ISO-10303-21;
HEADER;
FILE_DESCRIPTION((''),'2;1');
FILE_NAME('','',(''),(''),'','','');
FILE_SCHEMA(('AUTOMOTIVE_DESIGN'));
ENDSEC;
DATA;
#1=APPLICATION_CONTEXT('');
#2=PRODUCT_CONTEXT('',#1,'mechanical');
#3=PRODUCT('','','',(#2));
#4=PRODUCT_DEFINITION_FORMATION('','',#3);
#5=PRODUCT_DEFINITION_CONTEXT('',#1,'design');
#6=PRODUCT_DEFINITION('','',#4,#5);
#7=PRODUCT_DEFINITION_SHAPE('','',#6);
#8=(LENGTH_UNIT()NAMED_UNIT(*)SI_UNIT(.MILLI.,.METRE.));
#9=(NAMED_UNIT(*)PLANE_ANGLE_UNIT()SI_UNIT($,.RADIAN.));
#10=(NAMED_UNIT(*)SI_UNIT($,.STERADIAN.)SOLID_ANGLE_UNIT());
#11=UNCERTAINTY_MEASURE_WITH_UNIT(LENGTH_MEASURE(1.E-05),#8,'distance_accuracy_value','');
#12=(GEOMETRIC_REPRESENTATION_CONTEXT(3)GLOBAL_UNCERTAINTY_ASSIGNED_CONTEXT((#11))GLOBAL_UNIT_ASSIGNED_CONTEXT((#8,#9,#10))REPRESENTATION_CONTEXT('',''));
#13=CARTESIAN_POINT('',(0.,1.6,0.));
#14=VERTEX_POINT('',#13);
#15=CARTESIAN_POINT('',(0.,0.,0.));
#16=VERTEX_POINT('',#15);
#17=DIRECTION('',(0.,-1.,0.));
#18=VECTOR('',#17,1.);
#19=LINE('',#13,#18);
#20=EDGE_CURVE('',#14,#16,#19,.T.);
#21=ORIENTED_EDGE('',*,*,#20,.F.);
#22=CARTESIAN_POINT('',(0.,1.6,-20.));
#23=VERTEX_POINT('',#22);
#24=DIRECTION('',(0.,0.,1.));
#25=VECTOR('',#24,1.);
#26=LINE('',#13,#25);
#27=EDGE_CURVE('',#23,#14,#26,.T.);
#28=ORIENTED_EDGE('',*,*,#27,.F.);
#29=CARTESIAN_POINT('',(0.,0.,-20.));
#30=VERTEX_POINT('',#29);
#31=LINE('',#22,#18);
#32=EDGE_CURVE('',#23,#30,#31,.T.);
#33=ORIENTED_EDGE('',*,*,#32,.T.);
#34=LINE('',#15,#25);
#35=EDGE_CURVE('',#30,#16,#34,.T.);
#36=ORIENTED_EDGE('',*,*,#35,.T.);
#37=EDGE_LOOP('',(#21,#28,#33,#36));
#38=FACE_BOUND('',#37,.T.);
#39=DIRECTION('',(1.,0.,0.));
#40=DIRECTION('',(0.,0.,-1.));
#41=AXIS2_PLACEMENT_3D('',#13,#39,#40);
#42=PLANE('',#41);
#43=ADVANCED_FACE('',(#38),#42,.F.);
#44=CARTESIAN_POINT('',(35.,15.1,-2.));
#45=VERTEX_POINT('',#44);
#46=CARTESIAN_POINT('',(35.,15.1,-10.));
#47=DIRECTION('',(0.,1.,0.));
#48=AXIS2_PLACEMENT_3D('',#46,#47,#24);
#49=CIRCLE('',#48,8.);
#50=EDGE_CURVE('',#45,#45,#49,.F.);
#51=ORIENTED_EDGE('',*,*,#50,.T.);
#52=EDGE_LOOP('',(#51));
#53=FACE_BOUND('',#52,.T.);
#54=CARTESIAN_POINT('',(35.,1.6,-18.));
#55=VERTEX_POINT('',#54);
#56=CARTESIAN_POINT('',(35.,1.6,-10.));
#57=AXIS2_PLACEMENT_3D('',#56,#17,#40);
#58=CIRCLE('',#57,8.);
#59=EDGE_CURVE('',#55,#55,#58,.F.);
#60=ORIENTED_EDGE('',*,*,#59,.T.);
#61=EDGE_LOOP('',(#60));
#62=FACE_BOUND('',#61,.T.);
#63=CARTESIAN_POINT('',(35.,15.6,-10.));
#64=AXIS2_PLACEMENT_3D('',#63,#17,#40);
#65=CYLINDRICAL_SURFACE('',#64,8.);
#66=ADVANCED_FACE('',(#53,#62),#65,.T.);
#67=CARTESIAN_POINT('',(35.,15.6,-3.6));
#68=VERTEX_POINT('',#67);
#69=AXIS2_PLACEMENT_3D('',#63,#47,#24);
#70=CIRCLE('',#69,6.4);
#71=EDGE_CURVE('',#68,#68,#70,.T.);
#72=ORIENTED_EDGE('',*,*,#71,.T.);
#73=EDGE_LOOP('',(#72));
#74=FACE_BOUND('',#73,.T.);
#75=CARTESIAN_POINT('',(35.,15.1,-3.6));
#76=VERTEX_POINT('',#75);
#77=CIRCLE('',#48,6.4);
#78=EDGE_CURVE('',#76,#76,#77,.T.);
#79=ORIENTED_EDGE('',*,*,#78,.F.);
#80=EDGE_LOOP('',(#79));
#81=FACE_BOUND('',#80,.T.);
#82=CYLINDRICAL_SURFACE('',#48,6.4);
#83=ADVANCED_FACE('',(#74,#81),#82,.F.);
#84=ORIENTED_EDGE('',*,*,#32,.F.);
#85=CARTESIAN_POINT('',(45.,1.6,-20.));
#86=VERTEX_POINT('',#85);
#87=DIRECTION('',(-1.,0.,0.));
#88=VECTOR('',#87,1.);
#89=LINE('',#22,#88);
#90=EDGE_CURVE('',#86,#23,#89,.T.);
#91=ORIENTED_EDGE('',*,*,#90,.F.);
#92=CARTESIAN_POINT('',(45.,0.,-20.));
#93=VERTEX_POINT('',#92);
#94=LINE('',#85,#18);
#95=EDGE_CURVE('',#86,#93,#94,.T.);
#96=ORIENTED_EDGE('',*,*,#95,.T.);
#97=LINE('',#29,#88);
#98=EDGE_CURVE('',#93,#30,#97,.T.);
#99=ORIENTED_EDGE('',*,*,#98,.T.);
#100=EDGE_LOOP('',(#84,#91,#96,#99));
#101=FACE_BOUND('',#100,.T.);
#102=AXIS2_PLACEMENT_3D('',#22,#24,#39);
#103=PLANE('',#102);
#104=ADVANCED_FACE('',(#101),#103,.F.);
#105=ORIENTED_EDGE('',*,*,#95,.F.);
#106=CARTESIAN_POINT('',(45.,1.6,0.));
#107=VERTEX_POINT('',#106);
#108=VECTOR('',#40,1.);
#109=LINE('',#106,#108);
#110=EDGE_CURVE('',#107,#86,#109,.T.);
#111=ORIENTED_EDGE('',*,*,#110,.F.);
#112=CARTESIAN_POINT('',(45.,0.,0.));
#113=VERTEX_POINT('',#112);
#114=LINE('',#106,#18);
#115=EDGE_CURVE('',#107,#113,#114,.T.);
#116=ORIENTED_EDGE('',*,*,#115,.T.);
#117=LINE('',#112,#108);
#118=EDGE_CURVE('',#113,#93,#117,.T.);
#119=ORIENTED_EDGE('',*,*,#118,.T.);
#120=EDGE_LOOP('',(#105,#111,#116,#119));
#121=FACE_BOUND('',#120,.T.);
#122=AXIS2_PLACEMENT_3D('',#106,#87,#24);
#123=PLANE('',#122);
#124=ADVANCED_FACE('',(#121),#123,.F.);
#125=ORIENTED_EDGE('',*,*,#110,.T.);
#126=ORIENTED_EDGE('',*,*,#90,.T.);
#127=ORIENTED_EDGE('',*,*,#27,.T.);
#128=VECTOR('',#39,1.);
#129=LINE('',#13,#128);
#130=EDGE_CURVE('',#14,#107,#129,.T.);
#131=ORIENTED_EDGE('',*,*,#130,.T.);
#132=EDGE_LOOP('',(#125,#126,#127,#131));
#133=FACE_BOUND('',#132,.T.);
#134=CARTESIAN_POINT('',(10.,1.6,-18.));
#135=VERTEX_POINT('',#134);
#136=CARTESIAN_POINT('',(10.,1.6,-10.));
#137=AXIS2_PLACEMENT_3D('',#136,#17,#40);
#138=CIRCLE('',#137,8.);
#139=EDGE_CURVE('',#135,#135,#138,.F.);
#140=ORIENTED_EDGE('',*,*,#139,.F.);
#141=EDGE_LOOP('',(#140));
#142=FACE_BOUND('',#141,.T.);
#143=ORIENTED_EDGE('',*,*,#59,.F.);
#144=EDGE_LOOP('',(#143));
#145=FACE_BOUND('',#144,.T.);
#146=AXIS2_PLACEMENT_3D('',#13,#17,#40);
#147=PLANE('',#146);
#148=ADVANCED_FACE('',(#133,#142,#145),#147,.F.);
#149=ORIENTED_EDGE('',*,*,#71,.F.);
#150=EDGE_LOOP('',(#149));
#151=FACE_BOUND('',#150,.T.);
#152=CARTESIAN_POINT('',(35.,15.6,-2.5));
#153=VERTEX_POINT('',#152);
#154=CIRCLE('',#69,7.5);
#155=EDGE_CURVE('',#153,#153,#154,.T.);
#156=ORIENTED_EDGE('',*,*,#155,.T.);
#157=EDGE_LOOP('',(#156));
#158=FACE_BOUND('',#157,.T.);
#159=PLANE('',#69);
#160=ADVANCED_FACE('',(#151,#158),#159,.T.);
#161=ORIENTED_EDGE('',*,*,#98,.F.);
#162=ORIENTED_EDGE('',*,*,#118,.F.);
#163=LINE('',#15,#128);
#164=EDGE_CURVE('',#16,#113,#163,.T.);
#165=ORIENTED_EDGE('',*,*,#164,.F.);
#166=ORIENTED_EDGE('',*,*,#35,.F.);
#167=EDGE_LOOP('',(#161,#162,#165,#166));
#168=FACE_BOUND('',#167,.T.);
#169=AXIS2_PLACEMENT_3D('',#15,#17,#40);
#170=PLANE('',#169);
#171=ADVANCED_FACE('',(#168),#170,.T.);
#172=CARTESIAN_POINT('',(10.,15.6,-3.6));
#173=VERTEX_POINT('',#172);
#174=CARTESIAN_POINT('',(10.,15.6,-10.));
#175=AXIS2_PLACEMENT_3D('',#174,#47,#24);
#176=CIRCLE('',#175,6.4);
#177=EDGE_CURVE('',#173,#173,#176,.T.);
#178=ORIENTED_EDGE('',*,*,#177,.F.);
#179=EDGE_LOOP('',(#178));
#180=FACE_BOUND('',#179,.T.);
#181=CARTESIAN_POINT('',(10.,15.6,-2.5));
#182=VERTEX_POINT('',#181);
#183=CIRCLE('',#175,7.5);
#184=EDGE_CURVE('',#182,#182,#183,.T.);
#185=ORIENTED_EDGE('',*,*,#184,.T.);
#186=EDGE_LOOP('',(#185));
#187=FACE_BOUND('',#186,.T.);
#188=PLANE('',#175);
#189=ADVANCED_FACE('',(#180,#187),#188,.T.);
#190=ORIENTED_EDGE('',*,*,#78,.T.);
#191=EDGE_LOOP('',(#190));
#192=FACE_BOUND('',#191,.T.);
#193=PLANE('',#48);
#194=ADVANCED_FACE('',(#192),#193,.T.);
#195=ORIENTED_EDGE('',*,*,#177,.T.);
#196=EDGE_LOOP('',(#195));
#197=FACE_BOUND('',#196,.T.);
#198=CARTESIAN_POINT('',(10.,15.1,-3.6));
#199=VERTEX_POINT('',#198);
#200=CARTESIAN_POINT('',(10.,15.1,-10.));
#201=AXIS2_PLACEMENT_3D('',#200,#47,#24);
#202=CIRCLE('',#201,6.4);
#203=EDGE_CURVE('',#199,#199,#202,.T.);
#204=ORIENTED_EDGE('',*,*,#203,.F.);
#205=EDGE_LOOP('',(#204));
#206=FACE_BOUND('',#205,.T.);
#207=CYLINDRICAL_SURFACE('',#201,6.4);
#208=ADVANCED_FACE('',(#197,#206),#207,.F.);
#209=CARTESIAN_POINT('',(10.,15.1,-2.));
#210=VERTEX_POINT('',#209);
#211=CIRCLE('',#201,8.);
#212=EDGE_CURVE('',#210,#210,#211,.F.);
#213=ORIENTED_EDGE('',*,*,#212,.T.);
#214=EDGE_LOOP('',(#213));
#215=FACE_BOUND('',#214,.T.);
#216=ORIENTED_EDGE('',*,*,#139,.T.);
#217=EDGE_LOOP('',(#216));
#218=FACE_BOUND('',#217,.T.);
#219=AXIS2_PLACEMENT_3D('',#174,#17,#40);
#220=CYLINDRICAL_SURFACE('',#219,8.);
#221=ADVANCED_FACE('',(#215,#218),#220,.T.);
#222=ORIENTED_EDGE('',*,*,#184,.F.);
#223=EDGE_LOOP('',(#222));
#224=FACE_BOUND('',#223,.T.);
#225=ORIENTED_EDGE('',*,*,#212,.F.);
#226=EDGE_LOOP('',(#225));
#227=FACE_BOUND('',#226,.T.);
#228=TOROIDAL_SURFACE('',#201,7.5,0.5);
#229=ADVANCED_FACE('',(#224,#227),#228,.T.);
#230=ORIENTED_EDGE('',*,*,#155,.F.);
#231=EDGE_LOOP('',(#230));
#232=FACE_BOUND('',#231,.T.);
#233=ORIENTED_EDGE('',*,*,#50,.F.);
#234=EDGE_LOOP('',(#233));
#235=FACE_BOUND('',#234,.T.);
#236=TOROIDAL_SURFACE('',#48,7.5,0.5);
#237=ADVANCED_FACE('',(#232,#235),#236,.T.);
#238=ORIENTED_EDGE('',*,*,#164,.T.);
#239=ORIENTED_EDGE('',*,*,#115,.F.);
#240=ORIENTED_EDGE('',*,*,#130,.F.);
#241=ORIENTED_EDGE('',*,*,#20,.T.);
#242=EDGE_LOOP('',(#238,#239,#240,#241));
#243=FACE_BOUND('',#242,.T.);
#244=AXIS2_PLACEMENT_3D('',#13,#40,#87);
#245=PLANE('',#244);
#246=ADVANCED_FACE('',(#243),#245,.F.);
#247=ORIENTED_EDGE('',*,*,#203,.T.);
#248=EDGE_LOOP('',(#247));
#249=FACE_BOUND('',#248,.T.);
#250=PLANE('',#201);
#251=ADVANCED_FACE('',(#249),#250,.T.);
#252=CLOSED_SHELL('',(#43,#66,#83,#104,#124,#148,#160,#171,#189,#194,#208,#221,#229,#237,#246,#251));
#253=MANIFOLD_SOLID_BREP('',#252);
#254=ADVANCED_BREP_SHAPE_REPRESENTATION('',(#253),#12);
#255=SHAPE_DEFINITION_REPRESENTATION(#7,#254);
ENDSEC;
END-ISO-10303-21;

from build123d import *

# Parameters (mm, degrees)
SKETCH1_W           = 45
SKETCH1_H           = 20
BOSS_EXTRUDE1_DEPTH = 1.6
SKETCH2_R           = 8
BOSS_EXTRUDE2_DEPTH = 14
SKETCH3_R           = 6.4
CUT_EXTRUDE1_DEPTH  = 0.5
FILLET1_R           = 0.5


with BuildPart() as part:
    # Sketch1 → Boss-Extrude1 (new body)
    with BuildSketch(Plane(origin=(0, 0, 0), x_dir=(1, 0, 0), z_dir=(0, 1, 0))):
        with Locations((22.5, 10)):
            Rectangle(SKETCH1_W, SKETCH1_H)
    extrude(amount=BOSS_EXTRUDE1_DEPTH)

    # Sketch2 → Boss-Extrude2 (add)
    with BuildSketch(Plane(origin=(0, 1.6, 0), x_dir=(1, 0, 0), z_dir=(0, 1, 0))):
        with Locations((10, 10)):
            Circle(SKETCH2_R)
        with Locations((35, 10)):
            Circle(SKETCH2_R)
    extrude(amount=BOSS_EXTRUDE2_DEPTH)

    # Sketch3 → Cut-Extrude1 (cut)
    with BuildSketch(Plane(origin=(0, 15.6, 0), x_dir=(1, 0, 0), z_dir=(0, 1, 0))):
        with Locations((10, 10)):
            Circle(SKETCH3_R)
        with Locations((35, 10)):
            Circle(SKETCH3_R)
    extrude(amount=-CUT_EXTRUDE1_DEPTH, mode=Mode.SUBTRACT)

    # Fillet1
    fillet1_edges = [part.edges().sort_by_distance(p)[0] for p in [
        (2, 15.6, -10),
        (27, 15.6, -10),
    ]]
    fillet(fillet1_edges, radius=FILLET1_R)


solid = part.part
